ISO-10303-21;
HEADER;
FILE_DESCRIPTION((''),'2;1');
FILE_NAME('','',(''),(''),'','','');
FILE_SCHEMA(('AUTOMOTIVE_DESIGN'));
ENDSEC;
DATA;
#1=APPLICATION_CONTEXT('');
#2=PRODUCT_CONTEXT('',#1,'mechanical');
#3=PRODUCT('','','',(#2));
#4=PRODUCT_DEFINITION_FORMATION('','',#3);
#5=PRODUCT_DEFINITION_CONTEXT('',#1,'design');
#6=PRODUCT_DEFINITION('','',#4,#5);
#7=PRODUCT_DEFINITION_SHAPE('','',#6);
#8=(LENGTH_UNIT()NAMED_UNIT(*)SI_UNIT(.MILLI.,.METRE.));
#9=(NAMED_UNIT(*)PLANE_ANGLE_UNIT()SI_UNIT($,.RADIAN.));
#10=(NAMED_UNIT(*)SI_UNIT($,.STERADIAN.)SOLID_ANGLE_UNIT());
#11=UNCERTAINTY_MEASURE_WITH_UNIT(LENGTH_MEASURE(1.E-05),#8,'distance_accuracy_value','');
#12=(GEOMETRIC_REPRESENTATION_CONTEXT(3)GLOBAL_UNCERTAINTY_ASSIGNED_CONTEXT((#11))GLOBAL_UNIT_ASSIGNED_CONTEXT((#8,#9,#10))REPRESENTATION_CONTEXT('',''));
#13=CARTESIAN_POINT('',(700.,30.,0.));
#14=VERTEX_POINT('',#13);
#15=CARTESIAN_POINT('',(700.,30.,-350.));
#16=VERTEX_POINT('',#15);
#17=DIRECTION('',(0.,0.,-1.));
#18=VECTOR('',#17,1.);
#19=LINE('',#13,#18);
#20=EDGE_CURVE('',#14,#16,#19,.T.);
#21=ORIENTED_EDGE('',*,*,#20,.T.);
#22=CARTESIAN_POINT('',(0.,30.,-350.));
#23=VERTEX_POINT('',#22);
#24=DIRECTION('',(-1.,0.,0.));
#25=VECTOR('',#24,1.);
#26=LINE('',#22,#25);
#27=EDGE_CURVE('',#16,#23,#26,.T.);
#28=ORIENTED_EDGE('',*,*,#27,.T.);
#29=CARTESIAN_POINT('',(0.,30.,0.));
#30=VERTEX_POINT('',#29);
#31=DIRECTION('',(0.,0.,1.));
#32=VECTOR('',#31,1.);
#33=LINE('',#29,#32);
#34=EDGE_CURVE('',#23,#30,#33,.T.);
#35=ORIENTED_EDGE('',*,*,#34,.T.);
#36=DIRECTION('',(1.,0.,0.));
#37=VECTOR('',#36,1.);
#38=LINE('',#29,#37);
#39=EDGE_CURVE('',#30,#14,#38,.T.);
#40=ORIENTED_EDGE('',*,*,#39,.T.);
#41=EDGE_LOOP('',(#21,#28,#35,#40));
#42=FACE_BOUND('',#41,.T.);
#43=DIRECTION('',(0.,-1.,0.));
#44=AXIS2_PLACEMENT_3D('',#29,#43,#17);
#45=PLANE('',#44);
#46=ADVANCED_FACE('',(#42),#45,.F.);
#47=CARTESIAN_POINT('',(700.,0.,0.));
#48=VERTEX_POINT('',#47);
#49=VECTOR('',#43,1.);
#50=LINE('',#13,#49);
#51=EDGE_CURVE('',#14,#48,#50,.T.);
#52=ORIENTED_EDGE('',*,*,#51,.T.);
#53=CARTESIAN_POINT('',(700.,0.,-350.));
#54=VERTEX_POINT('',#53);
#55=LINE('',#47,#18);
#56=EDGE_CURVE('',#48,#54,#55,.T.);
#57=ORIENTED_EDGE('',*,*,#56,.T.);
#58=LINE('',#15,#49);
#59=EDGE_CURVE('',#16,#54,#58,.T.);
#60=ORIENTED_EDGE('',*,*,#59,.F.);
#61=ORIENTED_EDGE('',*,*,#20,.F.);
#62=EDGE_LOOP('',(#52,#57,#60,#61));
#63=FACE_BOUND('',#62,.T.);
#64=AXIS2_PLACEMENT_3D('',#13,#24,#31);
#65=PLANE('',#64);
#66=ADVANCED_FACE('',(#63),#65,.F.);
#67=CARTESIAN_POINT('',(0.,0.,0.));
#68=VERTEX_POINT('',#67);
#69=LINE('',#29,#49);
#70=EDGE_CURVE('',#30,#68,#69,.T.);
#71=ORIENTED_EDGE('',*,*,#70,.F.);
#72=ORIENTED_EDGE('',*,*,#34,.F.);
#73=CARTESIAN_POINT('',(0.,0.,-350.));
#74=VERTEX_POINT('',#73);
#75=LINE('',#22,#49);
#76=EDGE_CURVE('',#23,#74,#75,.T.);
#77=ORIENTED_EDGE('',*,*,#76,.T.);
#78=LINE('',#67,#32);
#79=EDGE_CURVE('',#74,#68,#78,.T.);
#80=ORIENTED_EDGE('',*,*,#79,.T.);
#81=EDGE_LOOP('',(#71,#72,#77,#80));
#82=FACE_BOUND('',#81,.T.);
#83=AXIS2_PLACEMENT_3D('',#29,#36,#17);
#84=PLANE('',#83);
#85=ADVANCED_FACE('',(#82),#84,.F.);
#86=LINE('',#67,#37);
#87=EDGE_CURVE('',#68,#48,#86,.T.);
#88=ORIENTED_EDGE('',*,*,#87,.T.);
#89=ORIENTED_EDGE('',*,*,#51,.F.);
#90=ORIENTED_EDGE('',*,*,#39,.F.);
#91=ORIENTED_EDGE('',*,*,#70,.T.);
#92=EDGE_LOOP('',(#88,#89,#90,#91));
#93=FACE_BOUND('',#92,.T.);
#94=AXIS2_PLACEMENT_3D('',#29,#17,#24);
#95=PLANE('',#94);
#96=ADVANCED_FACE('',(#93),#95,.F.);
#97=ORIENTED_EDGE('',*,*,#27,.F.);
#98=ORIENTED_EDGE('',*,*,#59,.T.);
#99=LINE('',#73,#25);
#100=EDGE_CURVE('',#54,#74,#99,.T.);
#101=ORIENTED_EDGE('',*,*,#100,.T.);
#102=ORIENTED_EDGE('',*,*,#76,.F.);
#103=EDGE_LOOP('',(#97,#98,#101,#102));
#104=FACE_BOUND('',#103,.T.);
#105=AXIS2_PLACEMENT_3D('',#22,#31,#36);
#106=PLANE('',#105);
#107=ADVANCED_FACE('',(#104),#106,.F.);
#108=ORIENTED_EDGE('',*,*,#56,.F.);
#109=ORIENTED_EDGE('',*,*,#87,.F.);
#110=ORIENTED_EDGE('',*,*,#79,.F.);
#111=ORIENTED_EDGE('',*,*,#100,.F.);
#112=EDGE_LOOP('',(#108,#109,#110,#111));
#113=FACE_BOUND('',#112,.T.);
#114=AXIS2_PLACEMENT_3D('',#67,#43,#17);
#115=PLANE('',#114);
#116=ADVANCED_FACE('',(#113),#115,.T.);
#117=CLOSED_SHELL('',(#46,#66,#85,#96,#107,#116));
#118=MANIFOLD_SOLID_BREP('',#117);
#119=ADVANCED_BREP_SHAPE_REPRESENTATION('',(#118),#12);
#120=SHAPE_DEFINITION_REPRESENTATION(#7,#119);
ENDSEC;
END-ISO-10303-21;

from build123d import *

# Parameters (mm, degrees)
SKETCH_1_W      = 700
SKETCH_1_H      = 350
EXTRUDE_1_DEPTH = 30


with BuildPart() as part:
    # Эскиз1 → Бобышка-Вытянуть1 (new body)
    with BuildSketch(Plane(origin=(0, 0, 0), x_dir=(1, 0, 0), z_dir=(0, 1, 0))):
        with Locations((350, 175)):
            Rectangle(SKETCH_1_W, SKETCH_1_H)
    extrude(amount=EXTRUDE_1_DEPTH)


solid = part.part
